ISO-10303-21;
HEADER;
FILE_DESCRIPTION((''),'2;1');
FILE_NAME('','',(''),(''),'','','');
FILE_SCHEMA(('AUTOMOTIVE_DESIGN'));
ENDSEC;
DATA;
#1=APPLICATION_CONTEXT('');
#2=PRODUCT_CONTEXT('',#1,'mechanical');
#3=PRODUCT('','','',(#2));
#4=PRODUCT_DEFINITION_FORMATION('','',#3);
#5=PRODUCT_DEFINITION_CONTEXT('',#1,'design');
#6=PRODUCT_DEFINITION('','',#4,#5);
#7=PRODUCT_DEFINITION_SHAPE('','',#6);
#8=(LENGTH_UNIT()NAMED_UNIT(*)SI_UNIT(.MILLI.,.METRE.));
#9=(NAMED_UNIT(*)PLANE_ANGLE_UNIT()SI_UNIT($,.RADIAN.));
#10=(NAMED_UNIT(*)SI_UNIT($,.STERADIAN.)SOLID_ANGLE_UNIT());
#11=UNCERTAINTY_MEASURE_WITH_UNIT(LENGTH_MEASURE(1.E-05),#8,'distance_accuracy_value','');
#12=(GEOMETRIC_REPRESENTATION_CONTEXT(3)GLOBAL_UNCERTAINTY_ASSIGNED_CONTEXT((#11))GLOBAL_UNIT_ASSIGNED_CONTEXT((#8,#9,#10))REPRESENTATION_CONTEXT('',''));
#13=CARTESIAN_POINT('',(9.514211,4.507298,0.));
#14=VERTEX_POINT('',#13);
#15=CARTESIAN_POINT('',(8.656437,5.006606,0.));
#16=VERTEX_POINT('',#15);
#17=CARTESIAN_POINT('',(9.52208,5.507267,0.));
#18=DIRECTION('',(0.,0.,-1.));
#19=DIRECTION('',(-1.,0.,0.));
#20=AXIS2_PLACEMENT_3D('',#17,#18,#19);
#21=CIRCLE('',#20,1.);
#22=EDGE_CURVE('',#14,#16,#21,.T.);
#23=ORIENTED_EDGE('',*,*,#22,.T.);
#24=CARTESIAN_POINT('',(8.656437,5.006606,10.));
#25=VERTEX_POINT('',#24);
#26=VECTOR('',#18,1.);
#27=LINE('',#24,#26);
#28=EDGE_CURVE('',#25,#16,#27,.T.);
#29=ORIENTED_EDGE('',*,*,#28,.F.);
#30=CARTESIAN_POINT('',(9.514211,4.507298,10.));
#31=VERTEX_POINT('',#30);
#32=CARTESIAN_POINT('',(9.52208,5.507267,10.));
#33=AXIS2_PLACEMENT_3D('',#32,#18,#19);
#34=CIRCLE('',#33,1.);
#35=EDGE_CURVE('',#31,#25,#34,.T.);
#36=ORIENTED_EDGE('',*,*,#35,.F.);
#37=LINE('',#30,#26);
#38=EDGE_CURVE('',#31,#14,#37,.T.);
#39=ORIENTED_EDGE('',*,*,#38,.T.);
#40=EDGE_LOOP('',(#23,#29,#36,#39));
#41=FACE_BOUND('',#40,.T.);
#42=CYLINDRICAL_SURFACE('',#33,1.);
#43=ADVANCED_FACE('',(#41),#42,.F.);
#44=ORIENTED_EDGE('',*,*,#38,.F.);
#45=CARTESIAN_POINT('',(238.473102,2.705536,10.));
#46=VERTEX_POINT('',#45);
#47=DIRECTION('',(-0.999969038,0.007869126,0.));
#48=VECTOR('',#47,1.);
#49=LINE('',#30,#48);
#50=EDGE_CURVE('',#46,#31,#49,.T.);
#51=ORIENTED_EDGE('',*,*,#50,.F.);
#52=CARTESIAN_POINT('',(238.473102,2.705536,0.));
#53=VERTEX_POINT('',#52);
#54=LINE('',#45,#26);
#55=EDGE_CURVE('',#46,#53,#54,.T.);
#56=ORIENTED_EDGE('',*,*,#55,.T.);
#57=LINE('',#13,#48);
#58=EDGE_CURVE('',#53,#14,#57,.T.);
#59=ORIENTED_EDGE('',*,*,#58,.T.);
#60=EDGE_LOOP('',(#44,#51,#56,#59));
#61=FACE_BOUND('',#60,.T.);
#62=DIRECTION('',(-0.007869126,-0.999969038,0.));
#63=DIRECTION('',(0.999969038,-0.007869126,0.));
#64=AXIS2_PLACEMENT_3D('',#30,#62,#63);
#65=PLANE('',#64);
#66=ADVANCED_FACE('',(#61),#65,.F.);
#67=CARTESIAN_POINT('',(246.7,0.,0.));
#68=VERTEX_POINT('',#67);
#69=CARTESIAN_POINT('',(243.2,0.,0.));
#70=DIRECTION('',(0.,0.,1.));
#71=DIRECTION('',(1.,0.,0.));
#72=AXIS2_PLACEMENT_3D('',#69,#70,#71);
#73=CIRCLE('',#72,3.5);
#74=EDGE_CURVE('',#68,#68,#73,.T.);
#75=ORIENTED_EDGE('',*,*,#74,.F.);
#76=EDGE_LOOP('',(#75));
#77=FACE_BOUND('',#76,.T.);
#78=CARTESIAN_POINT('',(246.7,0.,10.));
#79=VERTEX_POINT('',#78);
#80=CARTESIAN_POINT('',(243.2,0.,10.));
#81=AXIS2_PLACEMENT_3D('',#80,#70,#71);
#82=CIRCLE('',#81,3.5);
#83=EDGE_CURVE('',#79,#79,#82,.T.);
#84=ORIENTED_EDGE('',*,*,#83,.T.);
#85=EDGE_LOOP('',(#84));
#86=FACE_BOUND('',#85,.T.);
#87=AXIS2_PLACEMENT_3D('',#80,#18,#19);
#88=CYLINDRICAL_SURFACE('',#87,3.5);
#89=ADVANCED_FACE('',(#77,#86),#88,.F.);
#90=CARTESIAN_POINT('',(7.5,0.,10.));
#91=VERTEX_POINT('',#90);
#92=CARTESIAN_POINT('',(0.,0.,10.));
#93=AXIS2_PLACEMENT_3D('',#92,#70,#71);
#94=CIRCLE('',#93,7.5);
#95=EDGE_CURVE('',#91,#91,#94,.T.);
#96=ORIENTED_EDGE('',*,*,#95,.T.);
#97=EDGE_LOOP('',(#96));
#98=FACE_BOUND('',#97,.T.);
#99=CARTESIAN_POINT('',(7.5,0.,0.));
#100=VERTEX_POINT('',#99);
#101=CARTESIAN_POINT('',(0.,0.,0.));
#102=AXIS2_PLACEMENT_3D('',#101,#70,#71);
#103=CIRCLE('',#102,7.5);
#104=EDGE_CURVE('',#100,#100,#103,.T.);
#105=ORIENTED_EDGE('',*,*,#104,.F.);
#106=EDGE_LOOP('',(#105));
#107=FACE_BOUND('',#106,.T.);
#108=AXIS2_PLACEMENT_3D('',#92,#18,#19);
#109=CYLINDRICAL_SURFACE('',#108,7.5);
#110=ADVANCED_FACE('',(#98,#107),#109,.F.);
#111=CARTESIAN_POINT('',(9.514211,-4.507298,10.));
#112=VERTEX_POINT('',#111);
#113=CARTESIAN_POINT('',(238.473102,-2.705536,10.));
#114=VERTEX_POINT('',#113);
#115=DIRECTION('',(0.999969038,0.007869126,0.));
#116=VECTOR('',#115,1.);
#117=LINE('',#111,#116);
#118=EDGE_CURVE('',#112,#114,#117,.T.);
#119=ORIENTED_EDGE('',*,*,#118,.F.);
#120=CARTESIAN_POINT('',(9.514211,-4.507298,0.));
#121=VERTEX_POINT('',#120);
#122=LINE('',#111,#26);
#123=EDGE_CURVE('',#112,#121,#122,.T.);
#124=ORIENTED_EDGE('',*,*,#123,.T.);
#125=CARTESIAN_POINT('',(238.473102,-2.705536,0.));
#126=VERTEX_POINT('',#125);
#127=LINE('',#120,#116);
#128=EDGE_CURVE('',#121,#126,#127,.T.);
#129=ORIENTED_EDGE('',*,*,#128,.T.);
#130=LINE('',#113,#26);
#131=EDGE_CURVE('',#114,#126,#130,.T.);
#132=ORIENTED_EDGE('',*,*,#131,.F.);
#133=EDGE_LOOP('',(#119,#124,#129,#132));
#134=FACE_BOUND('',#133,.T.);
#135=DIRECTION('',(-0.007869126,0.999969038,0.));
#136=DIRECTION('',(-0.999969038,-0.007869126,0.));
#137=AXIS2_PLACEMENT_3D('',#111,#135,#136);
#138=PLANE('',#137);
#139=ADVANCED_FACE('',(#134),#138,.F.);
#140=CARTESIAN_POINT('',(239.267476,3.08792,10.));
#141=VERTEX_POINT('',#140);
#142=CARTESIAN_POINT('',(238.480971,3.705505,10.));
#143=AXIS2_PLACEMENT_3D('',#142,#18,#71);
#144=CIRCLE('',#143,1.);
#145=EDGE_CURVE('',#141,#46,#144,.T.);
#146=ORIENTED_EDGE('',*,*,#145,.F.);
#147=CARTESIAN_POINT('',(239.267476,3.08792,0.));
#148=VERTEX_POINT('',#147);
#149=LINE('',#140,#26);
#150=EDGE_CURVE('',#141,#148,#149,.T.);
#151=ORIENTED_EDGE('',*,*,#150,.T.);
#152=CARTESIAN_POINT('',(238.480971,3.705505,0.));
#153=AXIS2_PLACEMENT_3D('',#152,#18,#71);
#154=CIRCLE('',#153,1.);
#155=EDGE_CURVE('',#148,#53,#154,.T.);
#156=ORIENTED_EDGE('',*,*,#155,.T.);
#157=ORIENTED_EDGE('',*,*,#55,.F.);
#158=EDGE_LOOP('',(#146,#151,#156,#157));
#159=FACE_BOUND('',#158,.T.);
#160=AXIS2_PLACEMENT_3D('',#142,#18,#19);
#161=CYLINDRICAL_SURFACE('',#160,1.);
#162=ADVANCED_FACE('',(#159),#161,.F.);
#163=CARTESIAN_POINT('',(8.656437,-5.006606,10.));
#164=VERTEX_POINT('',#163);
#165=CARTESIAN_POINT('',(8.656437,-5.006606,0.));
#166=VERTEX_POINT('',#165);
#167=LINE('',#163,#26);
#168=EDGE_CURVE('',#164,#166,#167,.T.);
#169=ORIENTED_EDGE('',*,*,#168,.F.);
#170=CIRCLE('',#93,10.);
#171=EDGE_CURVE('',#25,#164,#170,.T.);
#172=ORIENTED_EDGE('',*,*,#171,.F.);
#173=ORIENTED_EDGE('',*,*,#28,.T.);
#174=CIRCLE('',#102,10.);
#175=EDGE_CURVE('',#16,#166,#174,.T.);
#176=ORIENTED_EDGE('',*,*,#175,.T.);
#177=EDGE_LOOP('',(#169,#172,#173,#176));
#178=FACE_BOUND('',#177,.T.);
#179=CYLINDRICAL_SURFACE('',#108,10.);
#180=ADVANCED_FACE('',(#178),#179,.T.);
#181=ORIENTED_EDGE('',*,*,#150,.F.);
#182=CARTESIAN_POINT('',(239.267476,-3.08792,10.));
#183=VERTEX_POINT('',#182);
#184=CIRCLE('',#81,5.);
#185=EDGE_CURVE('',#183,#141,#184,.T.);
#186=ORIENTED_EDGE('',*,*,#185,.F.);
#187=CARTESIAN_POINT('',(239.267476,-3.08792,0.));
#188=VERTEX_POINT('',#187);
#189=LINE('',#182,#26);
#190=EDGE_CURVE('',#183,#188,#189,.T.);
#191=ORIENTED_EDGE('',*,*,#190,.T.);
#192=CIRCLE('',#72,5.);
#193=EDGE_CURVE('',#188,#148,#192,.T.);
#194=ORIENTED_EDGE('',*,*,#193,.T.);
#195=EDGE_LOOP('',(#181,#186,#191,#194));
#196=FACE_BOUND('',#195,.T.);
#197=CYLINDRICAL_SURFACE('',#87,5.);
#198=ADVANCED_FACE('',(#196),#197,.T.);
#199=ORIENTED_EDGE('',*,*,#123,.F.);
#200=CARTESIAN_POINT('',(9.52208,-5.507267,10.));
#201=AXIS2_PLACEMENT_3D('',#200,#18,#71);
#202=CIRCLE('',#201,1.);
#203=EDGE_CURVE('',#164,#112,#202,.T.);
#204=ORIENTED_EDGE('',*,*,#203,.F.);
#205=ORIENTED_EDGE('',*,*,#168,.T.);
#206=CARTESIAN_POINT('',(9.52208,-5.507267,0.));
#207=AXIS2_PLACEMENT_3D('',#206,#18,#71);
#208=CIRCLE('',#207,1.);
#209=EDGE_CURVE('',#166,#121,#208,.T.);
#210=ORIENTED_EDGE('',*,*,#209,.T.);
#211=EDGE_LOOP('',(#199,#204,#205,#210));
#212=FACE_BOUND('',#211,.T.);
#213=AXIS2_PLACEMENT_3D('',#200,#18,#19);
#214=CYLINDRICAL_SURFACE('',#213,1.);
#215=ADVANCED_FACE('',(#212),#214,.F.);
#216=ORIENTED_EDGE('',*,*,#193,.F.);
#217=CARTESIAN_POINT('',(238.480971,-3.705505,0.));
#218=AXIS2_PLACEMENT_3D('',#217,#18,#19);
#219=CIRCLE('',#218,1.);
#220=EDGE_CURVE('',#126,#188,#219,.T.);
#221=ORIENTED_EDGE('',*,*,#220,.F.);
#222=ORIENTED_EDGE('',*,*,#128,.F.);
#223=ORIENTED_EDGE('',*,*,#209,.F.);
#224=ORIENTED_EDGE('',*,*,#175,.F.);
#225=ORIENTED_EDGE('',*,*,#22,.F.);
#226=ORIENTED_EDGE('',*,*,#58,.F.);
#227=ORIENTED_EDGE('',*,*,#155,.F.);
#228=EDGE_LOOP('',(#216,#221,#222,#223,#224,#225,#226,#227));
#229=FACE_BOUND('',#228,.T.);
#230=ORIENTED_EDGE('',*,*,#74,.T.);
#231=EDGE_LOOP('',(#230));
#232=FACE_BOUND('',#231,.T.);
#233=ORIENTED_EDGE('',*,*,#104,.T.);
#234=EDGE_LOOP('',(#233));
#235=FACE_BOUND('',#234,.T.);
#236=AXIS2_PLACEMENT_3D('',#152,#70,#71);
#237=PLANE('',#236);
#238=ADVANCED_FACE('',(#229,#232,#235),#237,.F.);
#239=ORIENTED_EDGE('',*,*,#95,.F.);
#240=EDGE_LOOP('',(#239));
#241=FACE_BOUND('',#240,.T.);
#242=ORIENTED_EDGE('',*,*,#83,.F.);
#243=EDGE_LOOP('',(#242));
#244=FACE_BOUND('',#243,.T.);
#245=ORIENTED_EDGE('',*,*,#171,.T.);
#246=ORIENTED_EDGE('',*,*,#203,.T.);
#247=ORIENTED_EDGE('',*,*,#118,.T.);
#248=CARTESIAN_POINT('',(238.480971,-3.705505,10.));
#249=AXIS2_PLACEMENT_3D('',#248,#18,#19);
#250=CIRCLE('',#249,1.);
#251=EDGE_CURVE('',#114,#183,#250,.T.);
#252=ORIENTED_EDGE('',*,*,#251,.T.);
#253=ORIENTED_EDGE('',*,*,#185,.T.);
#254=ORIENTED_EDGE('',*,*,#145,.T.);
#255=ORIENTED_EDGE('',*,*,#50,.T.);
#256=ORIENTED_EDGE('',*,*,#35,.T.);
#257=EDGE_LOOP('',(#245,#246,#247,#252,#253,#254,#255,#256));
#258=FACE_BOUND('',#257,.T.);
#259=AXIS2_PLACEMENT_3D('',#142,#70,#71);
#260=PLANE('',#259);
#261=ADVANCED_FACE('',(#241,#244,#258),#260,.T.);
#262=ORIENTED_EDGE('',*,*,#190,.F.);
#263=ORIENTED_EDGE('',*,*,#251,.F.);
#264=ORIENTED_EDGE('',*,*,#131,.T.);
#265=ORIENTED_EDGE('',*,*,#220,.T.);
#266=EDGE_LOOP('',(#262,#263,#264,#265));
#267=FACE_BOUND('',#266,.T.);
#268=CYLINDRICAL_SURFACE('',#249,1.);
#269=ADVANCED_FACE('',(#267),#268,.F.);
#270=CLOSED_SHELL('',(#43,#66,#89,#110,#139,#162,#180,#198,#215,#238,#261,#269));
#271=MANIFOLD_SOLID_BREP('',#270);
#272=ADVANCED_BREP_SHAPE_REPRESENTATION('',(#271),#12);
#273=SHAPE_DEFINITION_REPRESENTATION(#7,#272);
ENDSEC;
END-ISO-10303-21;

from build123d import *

# Parameters (mm, degrees)
ESBO_O1_R                = 7.5
ESBO_O1_R_2              = 3.5
RESSALTO_EXTRUS_O1_DEPTH = 10


with BuildPart() as part:
    # Esboço1 → Ressalto-extrusão1 (new body)
    with BuildSketch(Plane.XY):
        with BuildLine():
            Line((9.514211155, -4.507297718), (238.473101757, -2.705535542))
            ThreePointArc((238.473101757, -2.705535542), (238.91470232, -2.804462383), (239.267475736, -3.087920483))
            ThreePointArc((239.267475736, -3.087920483), (248.2, 0), (239.267475736, 3.087920483))
            ThreePointArc((239.267475736, 3.087920483), (238.91470232, 2.804462383), (238.473101757, 2.705535542))
            Line((238.473101757, 2.705535542), (9.514211155, 4.507297718))
            ThreePointArc((9.514211155, 4.507297718), (9.019006357, 4.643023372), (8.656436619, 5.006606142))
            ThreePointArc((8.656436619, 5.006606142), (-10, 0), (8.656436619, -5.006606142))
            ThreePointArc((8.656436619, -5.006606142), (9.019006357, -4.643023372), (9.514211155, -4.507297718))
        make_face()
        Circle(ESBO_O1_R, mode=Mode.SUBTRACT)
        with Locations((243.2, 0)):
            Circle(ESBO_O1_R_2, mode=Mode.SUBTRACT)
    extrude(amount=RESSALTO_EXTRUS_O1_DEPTH)


solid = part.part
